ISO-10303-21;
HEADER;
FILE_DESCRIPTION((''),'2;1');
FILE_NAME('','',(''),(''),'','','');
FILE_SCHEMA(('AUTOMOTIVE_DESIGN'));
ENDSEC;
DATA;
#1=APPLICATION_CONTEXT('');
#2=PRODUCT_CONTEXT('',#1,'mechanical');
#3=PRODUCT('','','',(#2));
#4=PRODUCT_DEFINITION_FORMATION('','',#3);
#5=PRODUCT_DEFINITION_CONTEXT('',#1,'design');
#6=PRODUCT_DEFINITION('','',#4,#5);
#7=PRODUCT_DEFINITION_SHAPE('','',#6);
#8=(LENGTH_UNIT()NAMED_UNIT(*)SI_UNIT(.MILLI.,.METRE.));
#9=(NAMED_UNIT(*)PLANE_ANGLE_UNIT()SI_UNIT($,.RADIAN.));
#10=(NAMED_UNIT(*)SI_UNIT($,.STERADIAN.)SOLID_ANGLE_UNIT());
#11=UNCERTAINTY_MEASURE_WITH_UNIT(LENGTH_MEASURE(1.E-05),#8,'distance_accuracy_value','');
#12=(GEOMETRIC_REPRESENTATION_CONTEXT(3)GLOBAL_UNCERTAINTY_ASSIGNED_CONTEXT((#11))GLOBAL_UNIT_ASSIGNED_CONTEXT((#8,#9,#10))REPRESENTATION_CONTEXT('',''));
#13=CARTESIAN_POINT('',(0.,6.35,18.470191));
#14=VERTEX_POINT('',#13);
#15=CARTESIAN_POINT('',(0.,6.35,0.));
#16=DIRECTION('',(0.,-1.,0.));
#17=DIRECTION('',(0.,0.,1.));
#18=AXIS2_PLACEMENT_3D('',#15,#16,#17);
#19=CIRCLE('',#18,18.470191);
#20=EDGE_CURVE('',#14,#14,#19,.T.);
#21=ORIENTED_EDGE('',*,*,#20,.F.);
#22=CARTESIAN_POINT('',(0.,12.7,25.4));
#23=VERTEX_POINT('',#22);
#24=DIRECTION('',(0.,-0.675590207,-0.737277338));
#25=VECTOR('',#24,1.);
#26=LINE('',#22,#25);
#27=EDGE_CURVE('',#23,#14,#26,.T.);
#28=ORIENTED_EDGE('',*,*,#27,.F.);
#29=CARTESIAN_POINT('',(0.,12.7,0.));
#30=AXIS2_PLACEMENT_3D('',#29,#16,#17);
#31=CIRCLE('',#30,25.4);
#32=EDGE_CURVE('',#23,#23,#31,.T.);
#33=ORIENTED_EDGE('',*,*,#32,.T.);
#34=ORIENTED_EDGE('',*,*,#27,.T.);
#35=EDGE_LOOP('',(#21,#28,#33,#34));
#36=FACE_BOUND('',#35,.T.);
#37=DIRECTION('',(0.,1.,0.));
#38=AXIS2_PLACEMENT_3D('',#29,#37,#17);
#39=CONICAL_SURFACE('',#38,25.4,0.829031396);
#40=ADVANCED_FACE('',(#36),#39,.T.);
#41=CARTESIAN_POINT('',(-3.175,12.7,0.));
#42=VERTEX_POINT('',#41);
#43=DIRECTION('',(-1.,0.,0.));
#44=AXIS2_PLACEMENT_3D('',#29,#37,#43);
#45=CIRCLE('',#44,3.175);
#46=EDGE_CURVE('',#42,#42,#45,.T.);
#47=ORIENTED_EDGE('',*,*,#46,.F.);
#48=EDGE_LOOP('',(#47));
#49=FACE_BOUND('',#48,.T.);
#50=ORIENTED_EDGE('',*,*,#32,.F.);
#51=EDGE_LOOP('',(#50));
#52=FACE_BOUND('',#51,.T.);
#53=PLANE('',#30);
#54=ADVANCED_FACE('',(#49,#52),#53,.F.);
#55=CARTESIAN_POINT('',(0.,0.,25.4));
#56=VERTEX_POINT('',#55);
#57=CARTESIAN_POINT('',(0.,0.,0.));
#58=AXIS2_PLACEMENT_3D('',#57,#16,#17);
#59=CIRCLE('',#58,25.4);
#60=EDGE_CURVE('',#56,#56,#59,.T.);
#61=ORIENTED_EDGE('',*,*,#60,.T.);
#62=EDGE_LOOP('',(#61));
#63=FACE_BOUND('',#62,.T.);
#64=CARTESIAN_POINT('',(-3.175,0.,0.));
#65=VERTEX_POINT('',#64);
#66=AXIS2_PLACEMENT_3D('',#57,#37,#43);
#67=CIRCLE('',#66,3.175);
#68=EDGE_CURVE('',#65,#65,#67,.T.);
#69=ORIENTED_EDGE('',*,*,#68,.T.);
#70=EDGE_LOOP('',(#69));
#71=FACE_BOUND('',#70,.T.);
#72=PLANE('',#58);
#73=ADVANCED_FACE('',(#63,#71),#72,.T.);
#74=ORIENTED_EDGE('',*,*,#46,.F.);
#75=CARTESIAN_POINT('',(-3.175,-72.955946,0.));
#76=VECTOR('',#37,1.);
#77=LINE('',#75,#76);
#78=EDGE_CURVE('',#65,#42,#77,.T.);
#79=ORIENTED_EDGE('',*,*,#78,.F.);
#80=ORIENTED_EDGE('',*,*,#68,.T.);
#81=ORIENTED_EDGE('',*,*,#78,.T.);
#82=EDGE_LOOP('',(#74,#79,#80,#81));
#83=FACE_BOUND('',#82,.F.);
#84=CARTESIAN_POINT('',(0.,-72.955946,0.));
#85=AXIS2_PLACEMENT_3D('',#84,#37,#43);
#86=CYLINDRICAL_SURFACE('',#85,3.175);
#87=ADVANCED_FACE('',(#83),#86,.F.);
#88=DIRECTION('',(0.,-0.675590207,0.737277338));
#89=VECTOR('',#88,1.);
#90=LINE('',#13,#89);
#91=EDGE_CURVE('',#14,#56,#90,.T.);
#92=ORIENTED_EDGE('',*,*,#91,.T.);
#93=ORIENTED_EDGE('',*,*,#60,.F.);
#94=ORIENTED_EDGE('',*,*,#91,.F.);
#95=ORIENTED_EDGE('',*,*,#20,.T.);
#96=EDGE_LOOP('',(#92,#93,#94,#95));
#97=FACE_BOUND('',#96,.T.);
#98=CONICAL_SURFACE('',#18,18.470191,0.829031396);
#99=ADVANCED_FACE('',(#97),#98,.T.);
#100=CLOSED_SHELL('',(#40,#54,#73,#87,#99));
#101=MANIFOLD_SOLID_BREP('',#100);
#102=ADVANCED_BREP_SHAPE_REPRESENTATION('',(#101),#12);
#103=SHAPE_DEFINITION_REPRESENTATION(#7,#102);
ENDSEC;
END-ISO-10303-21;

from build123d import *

# Parameters (mm, degrees)
F3_D = 6.35


with BuildPart() as f1:
    # F0 (on Right) → F1 (revolve)
    with BuildSketch(Plane.YZ):
        Polygon((0, 25.4), (0, 0), (12.7, 0), (12.7, 25.4), (6.35, 18.470191), align=None)
    revolve(axis=Axis((0, 6.35, 0), (0, -1, 0)))

    # F3 (through all)
    with Locations(Plane.XZ):
        with Locations((0, 0)):
            Hole(F3_D / 2)


solid = f1.part
